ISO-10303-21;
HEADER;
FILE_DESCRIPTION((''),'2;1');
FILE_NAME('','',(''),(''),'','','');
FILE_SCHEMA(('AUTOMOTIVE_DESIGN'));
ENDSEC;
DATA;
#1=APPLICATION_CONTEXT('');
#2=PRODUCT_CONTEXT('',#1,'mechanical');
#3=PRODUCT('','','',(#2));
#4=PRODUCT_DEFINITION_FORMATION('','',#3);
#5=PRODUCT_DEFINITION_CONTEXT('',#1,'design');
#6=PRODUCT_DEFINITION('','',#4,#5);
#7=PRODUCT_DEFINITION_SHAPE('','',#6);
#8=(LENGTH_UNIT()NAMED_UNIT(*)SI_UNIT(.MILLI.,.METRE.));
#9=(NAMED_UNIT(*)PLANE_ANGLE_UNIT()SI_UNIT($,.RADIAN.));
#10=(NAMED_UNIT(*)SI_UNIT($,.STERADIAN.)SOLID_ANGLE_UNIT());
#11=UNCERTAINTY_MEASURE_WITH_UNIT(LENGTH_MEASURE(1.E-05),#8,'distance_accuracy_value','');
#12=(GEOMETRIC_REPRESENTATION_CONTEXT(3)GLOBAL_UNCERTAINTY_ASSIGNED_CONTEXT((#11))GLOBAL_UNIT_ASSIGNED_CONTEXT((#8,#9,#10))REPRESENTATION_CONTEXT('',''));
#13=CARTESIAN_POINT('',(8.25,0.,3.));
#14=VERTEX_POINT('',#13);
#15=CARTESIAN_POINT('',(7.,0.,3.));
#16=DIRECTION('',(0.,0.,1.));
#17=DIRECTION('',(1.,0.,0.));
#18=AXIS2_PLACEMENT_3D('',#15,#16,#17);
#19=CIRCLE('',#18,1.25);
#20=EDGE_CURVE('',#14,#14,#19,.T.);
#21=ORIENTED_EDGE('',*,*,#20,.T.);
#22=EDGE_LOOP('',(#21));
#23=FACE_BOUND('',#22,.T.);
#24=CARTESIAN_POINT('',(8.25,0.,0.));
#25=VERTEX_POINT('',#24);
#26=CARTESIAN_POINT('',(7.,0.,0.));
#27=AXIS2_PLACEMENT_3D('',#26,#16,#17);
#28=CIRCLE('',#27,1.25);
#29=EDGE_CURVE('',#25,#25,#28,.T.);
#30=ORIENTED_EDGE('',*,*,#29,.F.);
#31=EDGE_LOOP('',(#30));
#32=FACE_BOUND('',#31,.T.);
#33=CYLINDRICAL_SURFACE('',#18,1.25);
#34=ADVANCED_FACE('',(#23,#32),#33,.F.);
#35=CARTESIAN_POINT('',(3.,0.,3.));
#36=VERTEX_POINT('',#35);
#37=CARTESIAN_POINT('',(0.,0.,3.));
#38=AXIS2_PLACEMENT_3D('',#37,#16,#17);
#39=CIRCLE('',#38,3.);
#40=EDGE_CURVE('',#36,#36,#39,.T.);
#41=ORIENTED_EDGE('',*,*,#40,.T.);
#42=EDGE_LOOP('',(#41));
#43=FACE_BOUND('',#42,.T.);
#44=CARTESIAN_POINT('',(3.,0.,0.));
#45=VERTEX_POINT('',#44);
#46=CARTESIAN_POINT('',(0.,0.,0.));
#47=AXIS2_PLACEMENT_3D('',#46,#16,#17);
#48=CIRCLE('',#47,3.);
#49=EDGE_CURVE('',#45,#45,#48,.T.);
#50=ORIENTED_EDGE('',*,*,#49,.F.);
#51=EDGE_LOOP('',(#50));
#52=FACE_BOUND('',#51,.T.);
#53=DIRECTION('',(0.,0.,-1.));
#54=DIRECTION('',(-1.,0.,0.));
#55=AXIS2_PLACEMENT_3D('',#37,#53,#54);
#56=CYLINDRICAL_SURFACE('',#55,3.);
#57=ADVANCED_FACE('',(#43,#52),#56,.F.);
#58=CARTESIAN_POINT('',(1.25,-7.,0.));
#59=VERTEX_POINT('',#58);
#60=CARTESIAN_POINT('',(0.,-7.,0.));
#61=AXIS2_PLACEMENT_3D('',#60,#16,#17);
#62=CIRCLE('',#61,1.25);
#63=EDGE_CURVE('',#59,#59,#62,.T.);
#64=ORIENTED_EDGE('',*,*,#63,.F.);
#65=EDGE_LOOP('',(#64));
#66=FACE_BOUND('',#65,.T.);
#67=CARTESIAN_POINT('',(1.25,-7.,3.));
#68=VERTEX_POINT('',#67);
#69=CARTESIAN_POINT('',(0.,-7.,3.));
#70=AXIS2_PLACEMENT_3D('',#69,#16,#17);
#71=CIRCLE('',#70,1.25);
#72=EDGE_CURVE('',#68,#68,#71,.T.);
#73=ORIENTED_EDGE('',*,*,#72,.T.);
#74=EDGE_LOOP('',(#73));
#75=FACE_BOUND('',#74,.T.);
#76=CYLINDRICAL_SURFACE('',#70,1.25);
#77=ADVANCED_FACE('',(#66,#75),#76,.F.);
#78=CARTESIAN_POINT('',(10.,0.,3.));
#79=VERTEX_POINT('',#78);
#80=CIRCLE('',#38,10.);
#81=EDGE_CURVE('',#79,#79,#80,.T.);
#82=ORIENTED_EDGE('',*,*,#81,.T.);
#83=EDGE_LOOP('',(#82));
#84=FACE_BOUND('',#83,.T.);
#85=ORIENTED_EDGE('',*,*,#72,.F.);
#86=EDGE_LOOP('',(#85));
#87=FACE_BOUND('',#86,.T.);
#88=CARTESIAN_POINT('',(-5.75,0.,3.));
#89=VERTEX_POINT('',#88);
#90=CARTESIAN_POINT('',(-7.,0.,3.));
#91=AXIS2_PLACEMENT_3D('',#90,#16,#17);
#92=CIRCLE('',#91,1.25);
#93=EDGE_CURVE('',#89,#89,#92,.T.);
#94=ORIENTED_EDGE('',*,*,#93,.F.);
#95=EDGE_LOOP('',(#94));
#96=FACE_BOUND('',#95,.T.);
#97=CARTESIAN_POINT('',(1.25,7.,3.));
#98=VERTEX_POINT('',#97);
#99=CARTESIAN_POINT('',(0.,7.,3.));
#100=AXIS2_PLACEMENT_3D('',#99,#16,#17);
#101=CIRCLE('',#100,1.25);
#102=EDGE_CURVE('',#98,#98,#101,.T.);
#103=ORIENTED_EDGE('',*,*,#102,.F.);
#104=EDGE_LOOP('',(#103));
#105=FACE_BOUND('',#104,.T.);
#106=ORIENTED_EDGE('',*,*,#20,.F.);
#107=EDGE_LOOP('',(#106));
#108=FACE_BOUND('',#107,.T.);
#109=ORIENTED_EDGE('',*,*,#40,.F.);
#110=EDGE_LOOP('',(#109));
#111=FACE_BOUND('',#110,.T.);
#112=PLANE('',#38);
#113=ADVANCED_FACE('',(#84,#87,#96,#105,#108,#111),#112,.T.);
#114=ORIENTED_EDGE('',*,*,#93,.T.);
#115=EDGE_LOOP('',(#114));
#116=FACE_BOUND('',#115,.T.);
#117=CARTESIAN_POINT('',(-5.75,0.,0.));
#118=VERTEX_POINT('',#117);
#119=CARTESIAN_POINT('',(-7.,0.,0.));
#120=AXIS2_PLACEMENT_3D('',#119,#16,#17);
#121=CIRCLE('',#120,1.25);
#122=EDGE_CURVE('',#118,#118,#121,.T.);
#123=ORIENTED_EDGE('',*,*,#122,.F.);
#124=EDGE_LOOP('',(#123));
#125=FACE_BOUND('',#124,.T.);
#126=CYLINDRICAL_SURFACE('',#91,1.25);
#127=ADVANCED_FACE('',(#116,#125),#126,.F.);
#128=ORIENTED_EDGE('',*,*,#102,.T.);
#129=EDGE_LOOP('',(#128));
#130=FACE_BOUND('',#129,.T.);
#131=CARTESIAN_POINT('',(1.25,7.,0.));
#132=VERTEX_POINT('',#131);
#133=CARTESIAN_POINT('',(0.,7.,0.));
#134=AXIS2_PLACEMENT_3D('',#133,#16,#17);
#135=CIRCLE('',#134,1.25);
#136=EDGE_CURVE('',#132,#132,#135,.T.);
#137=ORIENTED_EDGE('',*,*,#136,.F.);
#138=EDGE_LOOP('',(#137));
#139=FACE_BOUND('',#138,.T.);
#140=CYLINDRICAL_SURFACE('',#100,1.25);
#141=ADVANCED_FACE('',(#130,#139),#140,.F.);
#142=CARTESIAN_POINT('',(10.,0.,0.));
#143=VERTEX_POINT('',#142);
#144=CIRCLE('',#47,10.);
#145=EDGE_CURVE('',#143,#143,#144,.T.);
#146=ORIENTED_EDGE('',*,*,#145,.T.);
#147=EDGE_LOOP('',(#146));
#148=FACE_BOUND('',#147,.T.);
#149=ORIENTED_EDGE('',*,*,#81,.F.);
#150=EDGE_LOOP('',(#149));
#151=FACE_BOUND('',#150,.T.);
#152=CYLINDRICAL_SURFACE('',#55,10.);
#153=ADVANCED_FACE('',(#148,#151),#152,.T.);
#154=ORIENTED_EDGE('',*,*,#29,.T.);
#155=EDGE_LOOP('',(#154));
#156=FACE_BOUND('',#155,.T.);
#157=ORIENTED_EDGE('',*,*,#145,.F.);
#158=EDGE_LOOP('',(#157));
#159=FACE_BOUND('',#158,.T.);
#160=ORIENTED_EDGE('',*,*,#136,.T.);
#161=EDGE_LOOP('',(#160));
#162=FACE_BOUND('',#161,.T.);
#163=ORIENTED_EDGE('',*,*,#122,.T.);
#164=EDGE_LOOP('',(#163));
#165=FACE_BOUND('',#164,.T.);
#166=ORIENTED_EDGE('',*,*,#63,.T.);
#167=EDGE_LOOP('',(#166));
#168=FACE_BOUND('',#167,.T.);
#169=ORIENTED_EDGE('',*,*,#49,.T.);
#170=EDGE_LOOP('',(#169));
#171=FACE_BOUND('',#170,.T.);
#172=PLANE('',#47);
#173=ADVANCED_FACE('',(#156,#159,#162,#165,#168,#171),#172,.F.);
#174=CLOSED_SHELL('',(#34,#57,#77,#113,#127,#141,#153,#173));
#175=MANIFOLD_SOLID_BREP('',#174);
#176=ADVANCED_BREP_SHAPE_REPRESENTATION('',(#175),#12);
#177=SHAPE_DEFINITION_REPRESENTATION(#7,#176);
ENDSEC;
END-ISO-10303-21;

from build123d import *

# Parameters (mm, degrees)
SKETCH_1_R         = 10
SKETCH_1_R_2       = 3
EXTRUDE_1_DEPTH    = 3
HOLE_WIZARD_M3_1_D = 2.5


with BuildPart() as part:
    # 草图1 → 凸台-拉伸1 (new body)
    with BuildSketch(Plane.XY):
        Circle(SKETCH_1_R)
        Circle(SKETCH_1_R_2, mode=Mode.SUBTRACT)
    extrude(amount=EXTRUDE_1_DEPTH)

    # M3 螺纹孔1 (through all)
    with Locations(Plane(origin=(0, 7, 3), x_dir=(1, 0, 0), z_dir=(0, 0, 1))):
        with Locations((0, 0), (-7, -7), (0, -14), (7, -7)):
            Hole(HOLE_WIZARD_M3_1_D / 2)


solid = part.part
